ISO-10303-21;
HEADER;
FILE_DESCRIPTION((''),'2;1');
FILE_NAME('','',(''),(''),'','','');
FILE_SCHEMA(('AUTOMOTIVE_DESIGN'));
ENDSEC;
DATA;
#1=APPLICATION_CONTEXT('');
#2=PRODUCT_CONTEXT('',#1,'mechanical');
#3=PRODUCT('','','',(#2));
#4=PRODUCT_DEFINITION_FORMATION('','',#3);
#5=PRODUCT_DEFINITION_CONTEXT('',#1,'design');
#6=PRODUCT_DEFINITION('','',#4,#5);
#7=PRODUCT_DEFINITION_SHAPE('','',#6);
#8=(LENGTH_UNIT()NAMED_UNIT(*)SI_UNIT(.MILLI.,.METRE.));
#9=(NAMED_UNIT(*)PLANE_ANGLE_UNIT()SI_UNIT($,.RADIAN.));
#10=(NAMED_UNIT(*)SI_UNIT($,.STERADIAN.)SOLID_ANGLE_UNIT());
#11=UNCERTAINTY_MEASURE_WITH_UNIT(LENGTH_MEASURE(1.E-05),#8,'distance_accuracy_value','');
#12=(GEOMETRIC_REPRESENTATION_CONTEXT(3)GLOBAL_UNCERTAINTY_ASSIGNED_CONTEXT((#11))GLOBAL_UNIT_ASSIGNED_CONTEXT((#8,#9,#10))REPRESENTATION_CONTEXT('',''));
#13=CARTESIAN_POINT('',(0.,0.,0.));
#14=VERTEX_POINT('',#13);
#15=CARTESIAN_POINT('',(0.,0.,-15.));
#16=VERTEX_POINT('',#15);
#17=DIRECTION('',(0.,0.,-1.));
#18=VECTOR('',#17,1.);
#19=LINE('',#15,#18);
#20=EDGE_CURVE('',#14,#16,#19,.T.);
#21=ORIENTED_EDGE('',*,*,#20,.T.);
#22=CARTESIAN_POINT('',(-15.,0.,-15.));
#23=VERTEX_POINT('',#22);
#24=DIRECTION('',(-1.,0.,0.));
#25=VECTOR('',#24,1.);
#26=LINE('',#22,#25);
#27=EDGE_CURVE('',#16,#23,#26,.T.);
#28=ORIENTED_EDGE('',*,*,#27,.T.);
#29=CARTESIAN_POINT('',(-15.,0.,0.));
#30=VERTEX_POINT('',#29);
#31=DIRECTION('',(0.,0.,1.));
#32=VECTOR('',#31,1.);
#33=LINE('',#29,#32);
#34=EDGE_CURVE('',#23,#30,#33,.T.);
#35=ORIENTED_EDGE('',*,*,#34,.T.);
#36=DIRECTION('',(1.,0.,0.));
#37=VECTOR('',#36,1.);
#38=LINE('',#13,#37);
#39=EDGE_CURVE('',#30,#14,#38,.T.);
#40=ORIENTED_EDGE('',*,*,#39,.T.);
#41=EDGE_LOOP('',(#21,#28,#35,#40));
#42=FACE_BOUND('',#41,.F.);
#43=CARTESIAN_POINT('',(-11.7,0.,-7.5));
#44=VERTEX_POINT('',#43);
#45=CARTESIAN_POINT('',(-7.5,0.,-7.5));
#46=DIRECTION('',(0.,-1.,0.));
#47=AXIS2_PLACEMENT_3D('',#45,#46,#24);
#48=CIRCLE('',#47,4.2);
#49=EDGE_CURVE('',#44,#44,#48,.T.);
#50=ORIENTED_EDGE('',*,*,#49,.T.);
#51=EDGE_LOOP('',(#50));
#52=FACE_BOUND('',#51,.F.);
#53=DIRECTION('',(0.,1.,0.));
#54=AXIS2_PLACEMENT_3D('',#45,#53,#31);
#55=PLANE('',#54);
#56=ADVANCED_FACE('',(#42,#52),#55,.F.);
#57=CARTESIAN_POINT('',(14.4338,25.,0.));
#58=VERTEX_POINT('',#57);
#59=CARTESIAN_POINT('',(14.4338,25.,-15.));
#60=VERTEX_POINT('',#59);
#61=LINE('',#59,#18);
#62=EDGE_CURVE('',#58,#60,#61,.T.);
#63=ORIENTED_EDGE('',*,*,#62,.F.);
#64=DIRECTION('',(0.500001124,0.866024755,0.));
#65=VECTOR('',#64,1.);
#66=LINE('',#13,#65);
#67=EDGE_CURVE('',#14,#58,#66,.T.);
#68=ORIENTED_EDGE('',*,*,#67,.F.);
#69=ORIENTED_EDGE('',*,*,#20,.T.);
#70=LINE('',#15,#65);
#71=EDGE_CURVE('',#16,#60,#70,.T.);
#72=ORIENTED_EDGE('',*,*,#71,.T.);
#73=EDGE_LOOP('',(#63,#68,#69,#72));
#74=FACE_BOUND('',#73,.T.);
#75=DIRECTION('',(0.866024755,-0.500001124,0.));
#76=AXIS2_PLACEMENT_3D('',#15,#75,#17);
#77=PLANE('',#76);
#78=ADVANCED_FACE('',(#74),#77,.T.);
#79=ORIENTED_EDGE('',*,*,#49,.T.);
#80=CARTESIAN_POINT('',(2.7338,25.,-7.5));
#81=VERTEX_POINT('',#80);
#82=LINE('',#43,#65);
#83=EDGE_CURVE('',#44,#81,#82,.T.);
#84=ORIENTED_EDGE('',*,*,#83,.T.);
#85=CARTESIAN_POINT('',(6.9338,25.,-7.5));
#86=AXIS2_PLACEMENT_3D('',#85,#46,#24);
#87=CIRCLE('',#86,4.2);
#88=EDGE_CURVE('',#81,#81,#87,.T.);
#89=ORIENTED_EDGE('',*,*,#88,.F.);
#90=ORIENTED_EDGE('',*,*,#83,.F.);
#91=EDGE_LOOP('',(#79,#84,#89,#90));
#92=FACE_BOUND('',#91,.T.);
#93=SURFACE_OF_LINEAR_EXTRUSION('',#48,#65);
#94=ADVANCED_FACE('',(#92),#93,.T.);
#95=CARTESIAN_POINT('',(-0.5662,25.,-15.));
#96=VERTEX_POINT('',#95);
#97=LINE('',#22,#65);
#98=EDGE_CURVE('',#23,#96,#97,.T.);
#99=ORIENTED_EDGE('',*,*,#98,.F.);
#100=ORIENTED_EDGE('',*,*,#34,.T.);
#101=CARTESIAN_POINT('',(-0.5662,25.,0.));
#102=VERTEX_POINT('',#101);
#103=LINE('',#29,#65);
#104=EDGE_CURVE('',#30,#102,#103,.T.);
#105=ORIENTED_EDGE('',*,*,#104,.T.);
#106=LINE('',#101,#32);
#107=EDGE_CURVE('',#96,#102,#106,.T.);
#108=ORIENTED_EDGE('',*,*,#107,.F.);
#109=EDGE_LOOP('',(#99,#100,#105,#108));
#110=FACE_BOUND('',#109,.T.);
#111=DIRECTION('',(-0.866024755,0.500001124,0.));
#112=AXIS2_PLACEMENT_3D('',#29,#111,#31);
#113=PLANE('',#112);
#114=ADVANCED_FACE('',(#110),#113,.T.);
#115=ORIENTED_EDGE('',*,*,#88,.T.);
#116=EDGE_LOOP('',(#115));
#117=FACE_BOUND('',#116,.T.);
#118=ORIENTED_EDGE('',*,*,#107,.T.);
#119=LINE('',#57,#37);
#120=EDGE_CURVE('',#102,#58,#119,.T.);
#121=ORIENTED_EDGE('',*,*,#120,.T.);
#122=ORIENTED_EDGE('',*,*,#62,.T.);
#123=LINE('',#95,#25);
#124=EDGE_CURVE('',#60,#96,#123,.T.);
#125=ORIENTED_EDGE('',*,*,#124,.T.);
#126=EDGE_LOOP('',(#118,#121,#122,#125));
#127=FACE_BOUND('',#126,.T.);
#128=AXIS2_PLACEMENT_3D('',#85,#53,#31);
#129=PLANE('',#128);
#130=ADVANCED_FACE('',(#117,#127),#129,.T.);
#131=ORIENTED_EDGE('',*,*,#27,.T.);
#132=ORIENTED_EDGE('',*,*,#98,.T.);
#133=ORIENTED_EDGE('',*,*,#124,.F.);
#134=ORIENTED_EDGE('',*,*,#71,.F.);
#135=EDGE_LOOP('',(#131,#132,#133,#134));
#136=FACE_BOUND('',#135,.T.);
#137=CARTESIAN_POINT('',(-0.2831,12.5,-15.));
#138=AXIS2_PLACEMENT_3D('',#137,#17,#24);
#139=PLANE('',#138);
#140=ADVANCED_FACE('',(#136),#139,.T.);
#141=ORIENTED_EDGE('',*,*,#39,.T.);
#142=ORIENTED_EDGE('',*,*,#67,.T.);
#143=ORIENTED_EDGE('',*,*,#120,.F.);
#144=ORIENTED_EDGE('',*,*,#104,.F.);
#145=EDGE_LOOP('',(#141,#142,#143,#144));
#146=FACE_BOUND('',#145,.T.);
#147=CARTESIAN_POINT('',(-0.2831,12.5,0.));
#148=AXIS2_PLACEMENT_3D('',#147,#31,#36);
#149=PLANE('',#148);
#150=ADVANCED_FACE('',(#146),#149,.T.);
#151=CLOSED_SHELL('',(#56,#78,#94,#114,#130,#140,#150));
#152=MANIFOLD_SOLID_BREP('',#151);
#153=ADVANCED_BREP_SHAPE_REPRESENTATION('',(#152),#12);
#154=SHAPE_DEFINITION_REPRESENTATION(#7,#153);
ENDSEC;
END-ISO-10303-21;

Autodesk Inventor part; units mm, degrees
ref_plane "YZ Plane" through (0, 0, 0) normal (1, 0, 0) x (0, 1, 0)
ref_plane "XZ Plane" through (0, 0, 0) normal (0, 1, 0) x (-1, 0, 0)
ref_plane "XY Plane" through (0, 0, 0) normal (0, 0, 1) x (1, 0, 0)
sketch "Sketch1" plane through (0, 0, 0) normal (0, 1, 0) x (-1, 0, 0)
  line L0 (0, 0) -> (15, 0)
  line L1 (15, 0) -> (15, -15)
  line L2 (15, -15) -> (0, -15)
  line L3 (0, -15) -> (0, 0)
  circle A0 centre (7.5, -7.5) radius 4.2
  dimension "soporte_largo" = 15
  dimension "soporte_ancho" = 15
  dimension "soporte_hueco_diametro" = 8.4
  dimension "soporte_hueco_pos_ancho" = 7.5
  dimension "soporte_hueco_pos_largo" = 7.5
sketch "Sketch2" plane through (0, 0, 0) normal (0, 0, 1) x (1, 0, 0)
  line L0 (0, 0) -> (14.4338, 25)
  line L1 (0, 0) -> (28.8675, 0) construction
  dimension "soporte_inclinacion" = 60
  dimension "soporte_alterura" = 25
sweep "Sweep1" add profiles "Sketch1" path "Sketch2"
equation "\"soporte_hueco_pos_ancho\" = 0.5 * soporte_ancho"
equation "\"soporte_hueco_pos_largo\" = 0.5 * soporte_largo"
equation "\"tol1\" = 0.1"
equation "\"tol2\" = 0.2"
equation "\"tol3\" = 0.3"
equation "\"tol4\" = 0.4"
equation "\"tol5\" = 0.5"
equation "\"tol6\" = 0.6"
equation "\"tol7\" = 0.7"
equation "\"tol8\" = 0.8"
equation "\"tol9\" = 0.9"
equation "\"tol\" = 7"
properties part number "TestSoporte"
